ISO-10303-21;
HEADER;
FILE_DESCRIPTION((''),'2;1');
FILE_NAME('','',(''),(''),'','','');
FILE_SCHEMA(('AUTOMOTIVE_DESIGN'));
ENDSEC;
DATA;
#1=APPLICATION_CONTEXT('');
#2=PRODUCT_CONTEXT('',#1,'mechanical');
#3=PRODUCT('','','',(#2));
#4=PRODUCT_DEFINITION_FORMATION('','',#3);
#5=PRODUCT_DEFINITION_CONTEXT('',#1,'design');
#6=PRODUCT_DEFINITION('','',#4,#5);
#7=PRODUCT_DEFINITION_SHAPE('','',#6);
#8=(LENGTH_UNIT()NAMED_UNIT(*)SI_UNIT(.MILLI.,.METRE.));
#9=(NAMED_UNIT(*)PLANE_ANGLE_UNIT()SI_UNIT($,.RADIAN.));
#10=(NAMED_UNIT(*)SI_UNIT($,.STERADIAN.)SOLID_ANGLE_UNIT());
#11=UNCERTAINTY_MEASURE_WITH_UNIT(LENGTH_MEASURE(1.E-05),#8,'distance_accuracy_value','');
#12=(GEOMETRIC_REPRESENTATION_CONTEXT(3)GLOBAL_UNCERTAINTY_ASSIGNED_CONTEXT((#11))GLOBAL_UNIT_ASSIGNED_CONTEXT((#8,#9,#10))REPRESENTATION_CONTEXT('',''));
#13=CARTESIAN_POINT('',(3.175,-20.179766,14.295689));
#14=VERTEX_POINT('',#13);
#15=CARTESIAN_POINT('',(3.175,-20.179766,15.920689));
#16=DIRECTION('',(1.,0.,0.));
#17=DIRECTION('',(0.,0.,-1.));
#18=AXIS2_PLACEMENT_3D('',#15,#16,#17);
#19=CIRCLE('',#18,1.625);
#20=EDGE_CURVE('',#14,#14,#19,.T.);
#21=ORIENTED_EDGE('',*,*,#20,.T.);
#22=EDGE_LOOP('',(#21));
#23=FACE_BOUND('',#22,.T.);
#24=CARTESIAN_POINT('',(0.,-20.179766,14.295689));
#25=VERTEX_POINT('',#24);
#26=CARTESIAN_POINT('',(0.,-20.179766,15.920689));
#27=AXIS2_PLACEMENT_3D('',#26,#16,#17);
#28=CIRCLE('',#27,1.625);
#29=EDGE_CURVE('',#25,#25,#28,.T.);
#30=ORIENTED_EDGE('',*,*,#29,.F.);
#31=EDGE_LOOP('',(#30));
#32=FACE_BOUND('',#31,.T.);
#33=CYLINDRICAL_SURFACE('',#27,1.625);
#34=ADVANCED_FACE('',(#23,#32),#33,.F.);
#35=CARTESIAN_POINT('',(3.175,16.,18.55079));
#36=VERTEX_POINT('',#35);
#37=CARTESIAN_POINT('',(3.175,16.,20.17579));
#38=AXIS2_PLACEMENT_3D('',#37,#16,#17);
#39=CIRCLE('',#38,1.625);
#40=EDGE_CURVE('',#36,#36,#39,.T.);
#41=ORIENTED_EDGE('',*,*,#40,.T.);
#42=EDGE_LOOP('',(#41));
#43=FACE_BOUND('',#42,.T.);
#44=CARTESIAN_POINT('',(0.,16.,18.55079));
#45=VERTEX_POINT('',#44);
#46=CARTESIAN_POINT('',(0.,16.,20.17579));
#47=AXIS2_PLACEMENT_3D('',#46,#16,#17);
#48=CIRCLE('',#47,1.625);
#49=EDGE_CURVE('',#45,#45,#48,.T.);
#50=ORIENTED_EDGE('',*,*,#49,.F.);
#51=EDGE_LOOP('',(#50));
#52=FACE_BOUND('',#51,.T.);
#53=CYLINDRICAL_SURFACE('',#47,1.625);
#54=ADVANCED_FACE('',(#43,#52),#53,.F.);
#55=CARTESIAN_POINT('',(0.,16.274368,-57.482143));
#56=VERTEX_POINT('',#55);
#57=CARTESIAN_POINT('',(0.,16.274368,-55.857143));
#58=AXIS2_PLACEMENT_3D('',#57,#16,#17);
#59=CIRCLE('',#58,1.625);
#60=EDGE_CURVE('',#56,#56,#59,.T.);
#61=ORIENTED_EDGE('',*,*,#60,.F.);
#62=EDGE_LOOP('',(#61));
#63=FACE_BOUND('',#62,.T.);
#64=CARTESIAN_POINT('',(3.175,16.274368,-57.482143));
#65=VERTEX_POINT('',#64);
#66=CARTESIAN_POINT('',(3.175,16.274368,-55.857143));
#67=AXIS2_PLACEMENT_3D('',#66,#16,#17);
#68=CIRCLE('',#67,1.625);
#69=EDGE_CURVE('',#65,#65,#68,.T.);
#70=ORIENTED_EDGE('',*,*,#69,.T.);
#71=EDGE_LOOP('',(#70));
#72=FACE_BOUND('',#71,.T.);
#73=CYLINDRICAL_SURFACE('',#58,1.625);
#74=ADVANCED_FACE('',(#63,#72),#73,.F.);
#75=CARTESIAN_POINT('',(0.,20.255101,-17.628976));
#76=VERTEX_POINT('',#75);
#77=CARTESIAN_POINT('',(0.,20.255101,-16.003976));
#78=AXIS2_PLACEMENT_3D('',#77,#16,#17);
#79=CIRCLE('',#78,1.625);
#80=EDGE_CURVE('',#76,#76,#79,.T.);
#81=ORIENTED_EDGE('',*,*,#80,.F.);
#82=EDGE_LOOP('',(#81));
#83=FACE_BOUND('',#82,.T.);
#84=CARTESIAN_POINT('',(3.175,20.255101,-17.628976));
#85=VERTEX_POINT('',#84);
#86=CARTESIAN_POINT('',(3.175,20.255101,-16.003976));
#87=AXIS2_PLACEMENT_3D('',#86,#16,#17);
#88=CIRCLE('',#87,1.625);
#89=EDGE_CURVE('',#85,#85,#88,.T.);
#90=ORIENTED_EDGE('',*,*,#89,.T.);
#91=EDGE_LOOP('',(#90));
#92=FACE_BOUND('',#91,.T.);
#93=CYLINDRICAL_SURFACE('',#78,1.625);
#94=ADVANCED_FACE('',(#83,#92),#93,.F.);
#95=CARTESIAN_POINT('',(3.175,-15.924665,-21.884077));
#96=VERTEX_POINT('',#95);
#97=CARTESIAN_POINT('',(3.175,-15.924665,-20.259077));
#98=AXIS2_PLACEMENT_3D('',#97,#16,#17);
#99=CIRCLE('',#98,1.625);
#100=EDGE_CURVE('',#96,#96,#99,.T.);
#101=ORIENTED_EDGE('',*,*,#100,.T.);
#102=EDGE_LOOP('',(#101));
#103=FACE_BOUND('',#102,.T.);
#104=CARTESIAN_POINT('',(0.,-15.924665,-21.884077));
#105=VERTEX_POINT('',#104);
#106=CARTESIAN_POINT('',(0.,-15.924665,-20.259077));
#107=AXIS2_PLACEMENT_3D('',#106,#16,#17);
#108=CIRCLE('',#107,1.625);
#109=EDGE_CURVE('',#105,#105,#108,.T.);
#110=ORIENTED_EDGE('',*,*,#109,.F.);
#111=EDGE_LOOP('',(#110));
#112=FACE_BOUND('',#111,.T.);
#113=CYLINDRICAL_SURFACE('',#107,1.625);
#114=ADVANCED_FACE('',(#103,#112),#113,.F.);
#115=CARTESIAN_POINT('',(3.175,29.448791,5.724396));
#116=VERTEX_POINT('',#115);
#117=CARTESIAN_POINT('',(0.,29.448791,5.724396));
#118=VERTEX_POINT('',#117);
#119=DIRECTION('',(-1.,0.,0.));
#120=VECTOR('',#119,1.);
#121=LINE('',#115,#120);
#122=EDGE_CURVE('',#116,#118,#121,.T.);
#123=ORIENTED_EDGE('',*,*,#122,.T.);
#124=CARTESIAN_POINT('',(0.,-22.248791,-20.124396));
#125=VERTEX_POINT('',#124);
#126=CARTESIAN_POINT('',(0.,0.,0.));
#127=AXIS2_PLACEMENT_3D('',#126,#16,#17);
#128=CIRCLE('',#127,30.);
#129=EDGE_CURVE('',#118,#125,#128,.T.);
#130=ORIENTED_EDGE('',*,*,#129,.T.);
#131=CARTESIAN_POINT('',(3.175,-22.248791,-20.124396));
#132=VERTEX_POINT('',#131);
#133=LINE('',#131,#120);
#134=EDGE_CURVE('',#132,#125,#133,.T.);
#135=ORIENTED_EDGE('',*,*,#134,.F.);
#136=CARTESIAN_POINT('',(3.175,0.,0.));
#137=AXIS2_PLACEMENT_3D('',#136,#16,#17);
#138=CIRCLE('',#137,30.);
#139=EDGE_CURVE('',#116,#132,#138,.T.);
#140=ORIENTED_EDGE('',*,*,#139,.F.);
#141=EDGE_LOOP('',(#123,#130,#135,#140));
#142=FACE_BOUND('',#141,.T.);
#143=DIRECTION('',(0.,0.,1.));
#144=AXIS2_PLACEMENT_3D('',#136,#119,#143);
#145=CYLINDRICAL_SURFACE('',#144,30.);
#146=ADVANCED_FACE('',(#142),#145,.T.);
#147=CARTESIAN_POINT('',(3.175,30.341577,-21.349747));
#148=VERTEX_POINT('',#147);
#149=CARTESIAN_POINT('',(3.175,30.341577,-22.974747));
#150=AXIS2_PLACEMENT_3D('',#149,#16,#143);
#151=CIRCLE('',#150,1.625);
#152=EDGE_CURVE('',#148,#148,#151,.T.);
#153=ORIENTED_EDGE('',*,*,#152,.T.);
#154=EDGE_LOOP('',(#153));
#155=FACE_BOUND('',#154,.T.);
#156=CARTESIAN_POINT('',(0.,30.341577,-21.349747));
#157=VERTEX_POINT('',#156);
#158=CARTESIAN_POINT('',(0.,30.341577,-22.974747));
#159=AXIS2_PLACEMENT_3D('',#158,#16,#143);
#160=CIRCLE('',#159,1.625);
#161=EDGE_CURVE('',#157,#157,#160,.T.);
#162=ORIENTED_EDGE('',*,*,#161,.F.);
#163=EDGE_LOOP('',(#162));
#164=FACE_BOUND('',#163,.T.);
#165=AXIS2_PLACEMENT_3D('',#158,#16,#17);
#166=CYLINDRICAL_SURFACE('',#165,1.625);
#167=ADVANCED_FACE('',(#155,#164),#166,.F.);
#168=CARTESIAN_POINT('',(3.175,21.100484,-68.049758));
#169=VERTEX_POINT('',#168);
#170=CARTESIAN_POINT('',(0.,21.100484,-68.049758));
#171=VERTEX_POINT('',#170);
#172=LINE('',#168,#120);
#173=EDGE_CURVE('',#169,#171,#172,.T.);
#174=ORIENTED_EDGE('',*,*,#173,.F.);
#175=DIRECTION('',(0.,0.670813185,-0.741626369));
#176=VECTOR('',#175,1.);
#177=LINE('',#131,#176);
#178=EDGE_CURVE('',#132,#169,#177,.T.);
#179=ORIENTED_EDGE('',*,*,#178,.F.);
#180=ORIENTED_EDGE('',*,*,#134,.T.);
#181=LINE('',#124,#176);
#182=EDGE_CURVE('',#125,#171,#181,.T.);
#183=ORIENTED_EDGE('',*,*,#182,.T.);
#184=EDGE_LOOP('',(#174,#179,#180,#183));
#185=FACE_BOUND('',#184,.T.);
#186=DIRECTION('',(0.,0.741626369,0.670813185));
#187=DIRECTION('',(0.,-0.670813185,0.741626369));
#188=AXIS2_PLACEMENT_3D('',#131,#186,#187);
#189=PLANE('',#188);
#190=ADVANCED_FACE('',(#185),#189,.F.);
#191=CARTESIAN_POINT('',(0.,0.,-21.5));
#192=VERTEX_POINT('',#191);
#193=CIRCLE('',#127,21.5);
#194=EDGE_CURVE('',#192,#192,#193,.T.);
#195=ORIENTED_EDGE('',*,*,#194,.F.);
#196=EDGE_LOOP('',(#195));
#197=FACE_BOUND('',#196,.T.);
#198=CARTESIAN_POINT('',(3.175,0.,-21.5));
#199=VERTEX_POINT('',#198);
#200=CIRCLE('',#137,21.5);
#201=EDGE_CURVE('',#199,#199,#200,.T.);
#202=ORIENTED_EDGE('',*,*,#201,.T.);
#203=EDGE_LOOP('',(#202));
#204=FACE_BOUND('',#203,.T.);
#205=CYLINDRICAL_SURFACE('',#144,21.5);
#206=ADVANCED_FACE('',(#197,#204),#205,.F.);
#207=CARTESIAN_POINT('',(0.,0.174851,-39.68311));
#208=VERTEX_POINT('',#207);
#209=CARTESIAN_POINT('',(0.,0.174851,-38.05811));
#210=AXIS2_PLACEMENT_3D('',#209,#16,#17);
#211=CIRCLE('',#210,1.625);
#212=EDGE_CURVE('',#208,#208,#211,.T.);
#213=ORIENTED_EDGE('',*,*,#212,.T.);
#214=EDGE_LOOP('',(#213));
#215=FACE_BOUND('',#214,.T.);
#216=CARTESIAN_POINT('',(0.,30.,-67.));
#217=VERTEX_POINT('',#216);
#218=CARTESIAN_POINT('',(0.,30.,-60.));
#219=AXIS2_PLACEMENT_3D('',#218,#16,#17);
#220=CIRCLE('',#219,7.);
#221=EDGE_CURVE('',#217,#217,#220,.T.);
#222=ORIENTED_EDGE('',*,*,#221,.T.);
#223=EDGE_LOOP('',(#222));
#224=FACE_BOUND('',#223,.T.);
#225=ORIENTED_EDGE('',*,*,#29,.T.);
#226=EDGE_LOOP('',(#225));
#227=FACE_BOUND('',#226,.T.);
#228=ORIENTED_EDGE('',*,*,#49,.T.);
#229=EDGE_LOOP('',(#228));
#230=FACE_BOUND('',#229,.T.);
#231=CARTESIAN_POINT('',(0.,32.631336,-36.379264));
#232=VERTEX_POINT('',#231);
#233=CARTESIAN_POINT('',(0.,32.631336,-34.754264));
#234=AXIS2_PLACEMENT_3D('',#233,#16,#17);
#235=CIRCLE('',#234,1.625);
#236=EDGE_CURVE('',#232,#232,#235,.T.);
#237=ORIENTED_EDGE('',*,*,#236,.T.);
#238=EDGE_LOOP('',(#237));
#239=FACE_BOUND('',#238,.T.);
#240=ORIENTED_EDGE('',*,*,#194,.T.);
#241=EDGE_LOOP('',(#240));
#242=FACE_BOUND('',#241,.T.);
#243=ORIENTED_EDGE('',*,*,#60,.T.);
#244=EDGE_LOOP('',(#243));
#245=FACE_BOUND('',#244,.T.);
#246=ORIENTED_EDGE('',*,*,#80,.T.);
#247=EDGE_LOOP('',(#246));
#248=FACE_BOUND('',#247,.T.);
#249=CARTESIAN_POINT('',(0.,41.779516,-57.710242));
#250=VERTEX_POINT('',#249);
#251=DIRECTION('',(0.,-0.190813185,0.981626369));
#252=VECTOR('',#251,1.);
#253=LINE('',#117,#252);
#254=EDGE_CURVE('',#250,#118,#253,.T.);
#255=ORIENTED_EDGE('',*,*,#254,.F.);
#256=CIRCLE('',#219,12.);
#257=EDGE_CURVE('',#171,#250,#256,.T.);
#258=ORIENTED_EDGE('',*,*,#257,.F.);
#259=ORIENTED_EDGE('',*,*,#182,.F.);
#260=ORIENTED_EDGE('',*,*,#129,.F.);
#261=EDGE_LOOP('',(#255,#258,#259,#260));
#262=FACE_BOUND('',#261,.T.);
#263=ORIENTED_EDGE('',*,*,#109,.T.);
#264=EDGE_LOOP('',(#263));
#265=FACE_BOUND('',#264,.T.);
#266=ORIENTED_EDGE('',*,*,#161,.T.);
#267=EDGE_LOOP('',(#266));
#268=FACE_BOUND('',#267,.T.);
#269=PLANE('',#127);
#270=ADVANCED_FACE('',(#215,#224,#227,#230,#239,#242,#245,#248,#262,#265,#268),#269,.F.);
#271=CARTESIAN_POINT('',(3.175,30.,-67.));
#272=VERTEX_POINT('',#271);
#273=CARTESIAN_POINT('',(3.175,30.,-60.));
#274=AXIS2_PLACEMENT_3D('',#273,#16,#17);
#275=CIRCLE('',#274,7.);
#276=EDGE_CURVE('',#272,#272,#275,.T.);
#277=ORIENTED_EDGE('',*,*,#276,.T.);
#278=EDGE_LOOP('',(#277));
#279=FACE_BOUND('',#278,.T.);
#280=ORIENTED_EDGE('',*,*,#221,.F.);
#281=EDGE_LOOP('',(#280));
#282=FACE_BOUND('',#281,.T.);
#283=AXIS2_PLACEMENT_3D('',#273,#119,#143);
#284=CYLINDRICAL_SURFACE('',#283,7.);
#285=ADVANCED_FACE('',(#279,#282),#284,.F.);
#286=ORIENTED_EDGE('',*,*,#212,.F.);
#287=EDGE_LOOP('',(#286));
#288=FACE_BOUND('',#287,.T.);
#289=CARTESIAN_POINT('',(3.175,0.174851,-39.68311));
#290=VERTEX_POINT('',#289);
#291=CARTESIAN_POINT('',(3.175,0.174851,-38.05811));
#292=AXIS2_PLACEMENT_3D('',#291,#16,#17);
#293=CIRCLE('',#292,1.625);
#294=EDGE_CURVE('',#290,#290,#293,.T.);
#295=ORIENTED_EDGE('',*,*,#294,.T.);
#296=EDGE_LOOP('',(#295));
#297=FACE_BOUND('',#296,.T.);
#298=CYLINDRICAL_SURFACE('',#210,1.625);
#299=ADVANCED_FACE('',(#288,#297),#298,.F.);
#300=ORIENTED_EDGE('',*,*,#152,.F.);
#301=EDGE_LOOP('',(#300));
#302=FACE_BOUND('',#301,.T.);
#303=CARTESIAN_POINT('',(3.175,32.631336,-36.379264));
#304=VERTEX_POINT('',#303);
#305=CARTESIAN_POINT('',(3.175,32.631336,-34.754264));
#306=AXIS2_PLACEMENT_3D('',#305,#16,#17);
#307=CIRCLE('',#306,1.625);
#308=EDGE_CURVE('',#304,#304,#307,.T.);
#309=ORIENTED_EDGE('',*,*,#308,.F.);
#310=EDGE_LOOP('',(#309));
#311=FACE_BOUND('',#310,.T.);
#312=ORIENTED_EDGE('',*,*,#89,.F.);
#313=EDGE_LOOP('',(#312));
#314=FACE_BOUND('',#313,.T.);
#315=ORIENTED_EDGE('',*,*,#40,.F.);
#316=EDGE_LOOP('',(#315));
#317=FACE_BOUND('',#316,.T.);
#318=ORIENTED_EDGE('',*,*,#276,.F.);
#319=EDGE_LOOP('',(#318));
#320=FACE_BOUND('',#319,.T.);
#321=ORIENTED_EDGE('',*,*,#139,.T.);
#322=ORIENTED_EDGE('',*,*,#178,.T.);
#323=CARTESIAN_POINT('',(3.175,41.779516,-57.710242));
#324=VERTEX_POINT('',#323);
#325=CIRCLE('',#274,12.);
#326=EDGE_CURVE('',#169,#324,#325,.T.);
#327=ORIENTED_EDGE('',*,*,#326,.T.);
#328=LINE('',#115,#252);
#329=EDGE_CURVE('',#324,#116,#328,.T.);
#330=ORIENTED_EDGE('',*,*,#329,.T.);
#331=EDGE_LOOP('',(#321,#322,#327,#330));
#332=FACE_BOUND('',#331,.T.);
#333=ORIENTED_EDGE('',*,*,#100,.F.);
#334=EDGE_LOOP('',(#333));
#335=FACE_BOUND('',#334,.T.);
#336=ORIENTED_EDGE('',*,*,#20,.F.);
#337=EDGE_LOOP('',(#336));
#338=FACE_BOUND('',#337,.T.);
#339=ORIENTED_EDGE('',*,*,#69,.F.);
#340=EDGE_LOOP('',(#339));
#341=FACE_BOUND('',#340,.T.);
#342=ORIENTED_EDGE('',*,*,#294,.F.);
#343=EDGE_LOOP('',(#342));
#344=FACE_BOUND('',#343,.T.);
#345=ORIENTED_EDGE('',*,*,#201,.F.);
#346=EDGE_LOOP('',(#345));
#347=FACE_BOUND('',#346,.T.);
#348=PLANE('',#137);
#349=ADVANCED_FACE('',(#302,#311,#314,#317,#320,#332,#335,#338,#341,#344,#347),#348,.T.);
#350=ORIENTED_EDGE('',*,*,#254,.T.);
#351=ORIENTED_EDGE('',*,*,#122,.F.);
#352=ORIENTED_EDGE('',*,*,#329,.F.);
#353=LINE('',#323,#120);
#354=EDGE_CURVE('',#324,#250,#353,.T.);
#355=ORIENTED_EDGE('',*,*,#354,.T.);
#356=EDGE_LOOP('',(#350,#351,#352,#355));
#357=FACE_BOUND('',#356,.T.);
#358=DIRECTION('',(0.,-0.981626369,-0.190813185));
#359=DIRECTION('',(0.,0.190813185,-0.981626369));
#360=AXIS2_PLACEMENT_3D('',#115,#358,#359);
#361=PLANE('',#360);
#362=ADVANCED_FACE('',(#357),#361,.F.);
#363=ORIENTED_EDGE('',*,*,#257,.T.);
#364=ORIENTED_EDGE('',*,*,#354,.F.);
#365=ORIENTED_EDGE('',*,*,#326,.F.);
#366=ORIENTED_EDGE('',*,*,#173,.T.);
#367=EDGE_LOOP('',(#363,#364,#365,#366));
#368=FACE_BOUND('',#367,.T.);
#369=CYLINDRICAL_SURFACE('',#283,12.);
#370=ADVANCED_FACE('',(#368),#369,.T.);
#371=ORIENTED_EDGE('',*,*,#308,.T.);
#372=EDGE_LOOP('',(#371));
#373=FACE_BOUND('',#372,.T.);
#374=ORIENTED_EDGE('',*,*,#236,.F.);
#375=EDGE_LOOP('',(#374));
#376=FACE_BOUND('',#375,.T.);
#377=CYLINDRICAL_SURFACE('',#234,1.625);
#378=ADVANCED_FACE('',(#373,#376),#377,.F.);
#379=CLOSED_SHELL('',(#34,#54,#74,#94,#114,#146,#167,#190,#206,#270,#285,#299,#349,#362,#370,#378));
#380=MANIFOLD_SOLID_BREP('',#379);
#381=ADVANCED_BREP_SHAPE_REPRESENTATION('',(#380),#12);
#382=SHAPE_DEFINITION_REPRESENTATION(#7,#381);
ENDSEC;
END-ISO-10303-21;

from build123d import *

# Parameters (mm, degrees)
SKETCH1_R           = 21.5
SKETCH1_R_2         = 7
BOSS_EXTRUDE1_DEPTH = 3.175
SKETCH2_R           = 1.625
CUT_EXTRUDE1_DEPTH  = 84.415110292


with BuildPart() as part:
    # Sketch1 → Boss-Extrude1 (new body)
    with BuildSketch(Plane(origin=(0, 0, 0), x_dir=(0, 0, -1), z_dir=(1, 0, 0))):
        with BuildLine():
            Line((-5.724395537, 29.448791074), (57.710241785, 41.77951643))
            ThreePointArc((57.710241785, 41.77951643), (70.733126292, 35.366563146), (68.049758215, 21.10048357))
            Line((68.049758215, 21.10048357), (20.124395537, -22.248791074))
            ThreePointArc((20.124395537, -22.248791074), (-26.83281573, -13.416407865), (-5.724395537, 29.448791074))
        make_face()
        Circle(SKETCH1_R, mode=Mode.SUBTRACT)
        with Locations((60, 30)):
            Circle(SKETCH1_R_2, mode=Mode.SUBTRACT)
    extrude(amount=BOSS_EXTRUDE1_DEPTH)

    # Sketch2 → Cut-Extrude1 (cut, through all)
    with BuildSketch(Plane(origin=(3.175, 0, 0), x_dir=(0, 0, -1), z_dir=(1, 0, 0))):
        with Locations((-20.175789947, 16)):
            Circle(SKETCH2_R)
        with Locations((16.003976299, 20.255101188)):
            Circle(SKETCH2_R)
        with Locations((20.259077487, -15.924665058)):
            Circle(SKETCH2_R)
        with Locations((-15.920688759, -20.179766246)):
            Circle(SKETCH2_R)
        with Locations((38.058110346, 0.174851372)):
            Circle(SKETCH2_R)
        with Locations((55.857143206, 16.274367802)):
            Circle(SKETCH2_R)
        with Locations(Location((22.974747305, 30.341577454, 0), (0, 0, 180))):
            Circle(SKETCH2_R)
        with Locations((34.754263735, 32.631335669)):
            Circle(SKETCH2_R)
    extrude(amount=-CUT_EXTRUDE1_DEPTH, mode=Mode.SUBTRACT)


solid = part.part
